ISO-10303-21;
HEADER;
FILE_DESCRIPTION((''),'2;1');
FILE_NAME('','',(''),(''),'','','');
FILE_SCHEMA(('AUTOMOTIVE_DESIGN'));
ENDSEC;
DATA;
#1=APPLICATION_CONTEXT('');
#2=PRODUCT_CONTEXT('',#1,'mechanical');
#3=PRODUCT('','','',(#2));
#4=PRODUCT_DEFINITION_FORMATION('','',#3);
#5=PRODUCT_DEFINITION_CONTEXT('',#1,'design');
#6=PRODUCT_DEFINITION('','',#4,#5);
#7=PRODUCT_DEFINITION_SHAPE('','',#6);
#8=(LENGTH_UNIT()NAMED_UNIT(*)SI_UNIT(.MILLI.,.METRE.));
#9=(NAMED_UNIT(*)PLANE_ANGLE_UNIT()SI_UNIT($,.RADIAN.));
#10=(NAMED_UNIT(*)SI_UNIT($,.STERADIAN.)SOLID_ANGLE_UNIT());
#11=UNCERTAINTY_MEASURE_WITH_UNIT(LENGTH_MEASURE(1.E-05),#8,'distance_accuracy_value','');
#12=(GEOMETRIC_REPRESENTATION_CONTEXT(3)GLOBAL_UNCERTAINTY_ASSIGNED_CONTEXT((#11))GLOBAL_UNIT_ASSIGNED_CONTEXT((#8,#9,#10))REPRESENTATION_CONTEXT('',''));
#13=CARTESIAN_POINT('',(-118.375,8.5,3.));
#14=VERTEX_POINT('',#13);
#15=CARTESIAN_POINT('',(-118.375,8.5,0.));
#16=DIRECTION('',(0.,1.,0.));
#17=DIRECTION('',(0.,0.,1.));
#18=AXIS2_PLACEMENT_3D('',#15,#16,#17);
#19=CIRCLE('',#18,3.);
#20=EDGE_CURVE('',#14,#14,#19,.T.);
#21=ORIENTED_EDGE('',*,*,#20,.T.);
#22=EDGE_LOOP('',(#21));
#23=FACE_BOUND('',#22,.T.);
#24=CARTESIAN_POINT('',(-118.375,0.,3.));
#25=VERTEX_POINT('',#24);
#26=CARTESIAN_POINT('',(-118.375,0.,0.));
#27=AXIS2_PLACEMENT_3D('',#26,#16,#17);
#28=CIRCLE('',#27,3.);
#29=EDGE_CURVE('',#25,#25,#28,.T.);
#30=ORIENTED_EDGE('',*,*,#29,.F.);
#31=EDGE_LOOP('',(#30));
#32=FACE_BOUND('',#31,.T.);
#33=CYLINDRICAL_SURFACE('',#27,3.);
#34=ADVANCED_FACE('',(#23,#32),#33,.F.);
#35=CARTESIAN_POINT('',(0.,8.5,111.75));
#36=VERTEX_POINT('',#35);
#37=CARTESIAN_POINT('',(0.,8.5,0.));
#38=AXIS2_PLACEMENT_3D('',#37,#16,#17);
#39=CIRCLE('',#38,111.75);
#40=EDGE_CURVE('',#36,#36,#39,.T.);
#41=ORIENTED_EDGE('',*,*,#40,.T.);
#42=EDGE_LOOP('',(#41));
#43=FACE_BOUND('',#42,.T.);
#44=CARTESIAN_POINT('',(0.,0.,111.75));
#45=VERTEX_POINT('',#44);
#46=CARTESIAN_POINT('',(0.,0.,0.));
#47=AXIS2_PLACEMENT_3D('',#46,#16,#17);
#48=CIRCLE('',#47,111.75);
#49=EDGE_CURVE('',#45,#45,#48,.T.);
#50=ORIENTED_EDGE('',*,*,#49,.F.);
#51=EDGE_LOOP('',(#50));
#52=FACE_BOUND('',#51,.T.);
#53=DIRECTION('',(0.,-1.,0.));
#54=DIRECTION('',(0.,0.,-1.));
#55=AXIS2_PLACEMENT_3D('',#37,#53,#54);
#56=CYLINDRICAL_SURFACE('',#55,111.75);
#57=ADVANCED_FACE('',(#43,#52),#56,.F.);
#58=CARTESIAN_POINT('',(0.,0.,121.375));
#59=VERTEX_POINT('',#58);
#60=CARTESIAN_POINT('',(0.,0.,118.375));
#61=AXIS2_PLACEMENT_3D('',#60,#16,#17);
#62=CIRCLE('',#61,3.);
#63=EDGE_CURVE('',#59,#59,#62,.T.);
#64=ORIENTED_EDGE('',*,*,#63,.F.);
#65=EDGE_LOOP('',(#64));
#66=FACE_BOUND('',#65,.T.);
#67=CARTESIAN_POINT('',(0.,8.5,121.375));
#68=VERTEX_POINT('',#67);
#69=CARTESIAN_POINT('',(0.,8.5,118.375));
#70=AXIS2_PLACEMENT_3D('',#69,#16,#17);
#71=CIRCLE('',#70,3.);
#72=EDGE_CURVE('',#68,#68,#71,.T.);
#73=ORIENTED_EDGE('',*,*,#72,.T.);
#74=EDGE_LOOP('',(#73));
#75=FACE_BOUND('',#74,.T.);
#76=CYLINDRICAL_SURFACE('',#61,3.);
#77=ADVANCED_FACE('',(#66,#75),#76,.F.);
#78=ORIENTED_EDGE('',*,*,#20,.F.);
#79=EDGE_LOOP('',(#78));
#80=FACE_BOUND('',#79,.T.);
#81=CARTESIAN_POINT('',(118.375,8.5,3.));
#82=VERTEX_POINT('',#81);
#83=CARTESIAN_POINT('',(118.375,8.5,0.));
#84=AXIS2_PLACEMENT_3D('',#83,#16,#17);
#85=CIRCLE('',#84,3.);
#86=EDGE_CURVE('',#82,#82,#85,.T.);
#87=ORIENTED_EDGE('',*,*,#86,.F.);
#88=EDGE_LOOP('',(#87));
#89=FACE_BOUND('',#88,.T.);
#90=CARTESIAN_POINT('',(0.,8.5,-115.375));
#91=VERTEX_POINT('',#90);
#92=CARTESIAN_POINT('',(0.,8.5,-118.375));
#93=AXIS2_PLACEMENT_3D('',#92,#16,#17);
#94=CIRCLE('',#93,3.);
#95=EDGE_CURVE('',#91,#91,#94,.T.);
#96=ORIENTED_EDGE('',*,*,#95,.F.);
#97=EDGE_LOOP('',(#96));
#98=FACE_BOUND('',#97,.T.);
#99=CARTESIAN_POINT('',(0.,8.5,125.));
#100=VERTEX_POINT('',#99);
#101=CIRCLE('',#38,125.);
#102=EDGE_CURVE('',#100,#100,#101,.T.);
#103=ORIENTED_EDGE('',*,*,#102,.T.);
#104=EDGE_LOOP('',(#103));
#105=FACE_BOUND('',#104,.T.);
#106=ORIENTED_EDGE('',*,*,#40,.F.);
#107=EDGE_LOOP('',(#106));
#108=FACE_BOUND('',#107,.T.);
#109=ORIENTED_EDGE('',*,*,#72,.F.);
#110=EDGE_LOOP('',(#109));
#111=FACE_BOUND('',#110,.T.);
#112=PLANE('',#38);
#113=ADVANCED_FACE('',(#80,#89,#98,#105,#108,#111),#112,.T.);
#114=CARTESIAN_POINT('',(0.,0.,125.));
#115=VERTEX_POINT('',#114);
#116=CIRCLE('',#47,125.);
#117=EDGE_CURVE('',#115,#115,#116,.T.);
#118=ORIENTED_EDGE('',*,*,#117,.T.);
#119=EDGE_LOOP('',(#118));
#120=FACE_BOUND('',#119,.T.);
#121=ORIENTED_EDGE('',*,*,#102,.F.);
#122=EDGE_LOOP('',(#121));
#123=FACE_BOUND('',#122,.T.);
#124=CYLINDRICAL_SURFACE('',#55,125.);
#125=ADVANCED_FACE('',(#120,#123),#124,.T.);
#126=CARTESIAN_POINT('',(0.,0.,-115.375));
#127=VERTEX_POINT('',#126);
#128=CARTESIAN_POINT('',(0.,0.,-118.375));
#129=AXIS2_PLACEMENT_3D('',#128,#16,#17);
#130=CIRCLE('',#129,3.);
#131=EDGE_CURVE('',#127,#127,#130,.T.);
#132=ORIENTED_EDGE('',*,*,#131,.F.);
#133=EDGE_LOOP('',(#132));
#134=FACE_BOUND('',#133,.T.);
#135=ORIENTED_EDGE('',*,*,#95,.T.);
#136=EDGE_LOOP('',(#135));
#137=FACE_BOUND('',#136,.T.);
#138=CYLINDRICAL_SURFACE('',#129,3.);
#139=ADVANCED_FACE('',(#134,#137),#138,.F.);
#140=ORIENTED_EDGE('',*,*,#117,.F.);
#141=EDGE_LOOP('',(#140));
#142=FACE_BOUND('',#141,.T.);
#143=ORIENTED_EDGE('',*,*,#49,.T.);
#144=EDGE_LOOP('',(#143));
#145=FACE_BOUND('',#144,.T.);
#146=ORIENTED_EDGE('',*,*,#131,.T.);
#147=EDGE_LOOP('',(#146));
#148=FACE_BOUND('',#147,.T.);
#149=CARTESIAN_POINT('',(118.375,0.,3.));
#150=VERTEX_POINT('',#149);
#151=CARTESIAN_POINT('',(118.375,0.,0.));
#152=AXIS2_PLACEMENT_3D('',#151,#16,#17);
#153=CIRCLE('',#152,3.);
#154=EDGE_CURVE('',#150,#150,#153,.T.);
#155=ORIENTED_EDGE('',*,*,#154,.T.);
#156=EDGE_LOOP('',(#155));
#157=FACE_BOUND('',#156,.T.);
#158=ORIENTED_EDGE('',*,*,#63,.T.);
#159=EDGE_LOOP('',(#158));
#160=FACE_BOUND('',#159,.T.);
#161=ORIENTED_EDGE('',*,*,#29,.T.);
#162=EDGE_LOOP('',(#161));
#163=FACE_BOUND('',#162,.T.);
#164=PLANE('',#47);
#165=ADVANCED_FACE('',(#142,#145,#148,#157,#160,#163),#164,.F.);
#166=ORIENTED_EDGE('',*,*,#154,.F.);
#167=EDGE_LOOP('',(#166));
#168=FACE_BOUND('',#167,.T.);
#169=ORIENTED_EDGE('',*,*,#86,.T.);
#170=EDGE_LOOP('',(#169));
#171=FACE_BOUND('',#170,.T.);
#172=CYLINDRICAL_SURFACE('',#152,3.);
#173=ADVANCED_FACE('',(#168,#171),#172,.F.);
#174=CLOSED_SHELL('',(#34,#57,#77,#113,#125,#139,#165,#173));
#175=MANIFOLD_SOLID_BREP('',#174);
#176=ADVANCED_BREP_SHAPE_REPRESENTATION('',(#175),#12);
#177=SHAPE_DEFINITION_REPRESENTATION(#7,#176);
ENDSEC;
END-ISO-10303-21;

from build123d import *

# Parameters (mm, degrees)
SKETCH1_R           = 125
SKETCH1_R_2         = 111.75
BOSS_EXTRUDE1_DEPTH = 8.5
SKETCH2_R           = 3
CUT_EXTRUDE1_DEPTH  = 9.5


with BuildPart() as part:
    # Sketch1 → Boss-Extrude1 (new body)
    with BuildSketch(Plane(origin=(0, 0, 0), x_dir=(1, 0, 0), z_dir=(0, 1, 0))):
        Circle(SKETCH1_R)
        Circle(SKETCH1_R_2, mode=Mode.SUBTRACT)
    extrude(amount=BOSS_EXTRUDE1_DEPTH)

    # Sketch2 → Cut-Extrude1 (cut, through all)
    with BuildSketch(Plane(origin=(0, 8.5, 0), x_dir=(1, 0, 0), z_dir=(0, 1, 0))):
        with Locations((0, 118.375)):
            Circle(SKETCH2_R)
        with Locations((118.375, 0)):
            Circle(SKETCH2_R)
        with Locations((0, -118.375)):
            Circle(SKETCH2_R)
        with Locations((-118.375, 0)):
            Circle(SKETCH2_R)
    extrude(amount=-CUT_EXTRUDE1_DEPTH, mode=Mode.SUBTRACT)


solid = part.part
